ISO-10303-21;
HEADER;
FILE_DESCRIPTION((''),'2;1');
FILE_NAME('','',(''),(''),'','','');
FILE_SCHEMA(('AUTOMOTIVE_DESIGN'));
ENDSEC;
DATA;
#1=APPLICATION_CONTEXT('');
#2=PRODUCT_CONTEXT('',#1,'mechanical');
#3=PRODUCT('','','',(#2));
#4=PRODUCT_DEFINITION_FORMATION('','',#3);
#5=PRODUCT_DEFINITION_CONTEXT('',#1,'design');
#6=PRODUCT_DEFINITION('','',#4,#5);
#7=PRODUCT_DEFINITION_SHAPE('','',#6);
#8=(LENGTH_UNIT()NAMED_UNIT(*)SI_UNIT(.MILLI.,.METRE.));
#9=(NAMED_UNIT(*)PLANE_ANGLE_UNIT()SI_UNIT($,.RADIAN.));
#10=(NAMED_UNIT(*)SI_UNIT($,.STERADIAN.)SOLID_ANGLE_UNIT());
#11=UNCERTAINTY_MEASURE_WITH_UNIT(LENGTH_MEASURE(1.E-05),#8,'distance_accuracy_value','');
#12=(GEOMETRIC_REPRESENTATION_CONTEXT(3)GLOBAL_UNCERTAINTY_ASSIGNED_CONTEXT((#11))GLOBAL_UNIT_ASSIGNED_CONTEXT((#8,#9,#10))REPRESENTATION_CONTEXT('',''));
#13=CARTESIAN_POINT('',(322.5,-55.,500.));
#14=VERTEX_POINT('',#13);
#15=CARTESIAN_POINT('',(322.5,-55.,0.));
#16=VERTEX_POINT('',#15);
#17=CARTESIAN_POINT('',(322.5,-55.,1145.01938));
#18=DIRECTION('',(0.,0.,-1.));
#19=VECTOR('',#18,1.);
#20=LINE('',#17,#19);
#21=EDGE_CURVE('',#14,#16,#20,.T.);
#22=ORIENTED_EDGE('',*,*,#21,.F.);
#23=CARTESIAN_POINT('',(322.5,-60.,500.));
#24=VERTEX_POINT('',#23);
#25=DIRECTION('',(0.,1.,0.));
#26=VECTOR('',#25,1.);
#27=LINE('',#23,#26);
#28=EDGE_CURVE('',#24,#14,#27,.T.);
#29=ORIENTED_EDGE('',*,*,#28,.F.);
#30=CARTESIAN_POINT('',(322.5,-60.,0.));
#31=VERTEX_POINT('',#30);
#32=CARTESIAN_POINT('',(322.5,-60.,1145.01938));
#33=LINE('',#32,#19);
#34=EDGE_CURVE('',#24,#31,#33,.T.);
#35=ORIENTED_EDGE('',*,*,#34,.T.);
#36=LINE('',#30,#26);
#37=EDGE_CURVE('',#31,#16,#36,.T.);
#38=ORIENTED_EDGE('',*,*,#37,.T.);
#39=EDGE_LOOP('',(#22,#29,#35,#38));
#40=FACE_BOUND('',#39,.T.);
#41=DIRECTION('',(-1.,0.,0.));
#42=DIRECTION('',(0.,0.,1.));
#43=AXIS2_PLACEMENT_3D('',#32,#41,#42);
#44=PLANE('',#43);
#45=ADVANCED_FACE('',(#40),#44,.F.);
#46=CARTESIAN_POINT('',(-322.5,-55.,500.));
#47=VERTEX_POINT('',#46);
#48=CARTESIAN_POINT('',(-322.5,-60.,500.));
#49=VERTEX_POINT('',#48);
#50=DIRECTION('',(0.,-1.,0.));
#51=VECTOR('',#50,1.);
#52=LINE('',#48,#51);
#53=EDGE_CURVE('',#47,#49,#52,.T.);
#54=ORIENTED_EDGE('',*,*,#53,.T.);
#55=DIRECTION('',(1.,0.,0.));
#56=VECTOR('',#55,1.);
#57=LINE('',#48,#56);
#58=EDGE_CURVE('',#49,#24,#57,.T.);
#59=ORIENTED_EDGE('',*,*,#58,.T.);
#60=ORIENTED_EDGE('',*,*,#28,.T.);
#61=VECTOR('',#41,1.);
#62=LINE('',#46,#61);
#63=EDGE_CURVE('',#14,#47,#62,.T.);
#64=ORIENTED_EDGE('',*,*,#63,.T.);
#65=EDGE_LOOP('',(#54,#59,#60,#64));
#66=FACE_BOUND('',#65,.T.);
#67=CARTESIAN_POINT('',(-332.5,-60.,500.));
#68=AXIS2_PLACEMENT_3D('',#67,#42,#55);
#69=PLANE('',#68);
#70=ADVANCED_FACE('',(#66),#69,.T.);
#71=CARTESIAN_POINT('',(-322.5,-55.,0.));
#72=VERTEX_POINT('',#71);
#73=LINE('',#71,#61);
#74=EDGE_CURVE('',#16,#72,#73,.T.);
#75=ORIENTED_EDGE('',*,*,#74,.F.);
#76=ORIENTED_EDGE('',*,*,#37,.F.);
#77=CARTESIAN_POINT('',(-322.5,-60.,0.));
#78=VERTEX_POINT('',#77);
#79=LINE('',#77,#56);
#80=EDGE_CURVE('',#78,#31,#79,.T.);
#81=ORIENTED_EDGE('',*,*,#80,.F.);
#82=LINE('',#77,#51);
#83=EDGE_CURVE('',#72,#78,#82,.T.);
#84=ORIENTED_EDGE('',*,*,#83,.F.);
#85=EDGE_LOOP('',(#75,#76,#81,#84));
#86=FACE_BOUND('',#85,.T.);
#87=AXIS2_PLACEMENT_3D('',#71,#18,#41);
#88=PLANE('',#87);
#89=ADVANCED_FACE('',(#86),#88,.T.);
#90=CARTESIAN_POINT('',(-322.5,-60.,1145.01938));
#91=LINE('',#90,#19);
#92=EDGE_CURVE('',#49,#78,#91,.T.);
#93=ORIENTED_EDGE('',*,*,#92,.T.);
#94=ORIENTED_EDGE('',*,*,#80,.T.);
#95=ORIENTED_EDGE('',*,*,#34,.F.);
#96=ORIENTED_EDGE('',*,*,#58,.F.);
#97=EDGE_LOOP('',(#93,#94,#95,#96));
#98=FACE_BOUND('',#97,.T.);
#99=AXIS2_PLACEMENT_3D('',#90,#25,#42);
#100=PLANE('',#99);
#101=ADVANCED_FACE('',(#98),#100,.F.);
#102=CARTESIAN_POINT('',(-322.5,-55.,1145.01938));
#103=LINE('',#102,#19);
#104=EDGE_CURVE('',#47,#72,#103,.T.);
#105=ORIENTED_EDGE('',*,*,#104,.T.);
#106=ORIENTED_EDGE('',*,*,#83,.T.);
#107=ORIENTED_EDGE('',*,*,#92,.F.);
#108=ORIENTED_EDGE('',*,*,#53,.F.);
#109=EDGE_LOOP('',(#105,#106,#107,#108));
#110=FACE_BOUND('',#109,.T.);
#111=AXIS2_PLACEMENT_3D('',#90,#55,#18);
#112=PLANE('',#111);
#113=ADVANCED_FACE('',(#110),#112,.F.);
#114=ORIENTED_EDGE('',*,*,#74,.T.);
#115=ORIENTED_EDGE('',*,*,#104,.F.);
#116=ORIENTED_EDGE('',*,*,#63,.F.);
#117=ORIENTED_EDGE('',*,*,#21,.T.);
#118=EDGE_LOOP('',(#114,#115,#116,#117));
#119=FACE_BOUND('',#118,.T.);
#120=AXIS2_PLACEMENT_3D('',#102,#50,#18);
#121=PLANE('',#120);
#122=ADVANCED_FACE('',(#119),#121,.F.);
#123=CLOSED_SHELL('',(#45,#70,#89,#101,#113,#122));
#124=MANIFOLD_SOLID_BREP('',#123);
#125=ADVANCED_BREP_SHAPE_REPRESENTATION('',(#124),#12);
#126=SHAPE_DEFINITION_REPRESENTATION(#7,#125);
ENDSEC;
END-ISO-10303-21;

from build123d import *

# Parameters (mm, degrees)
SKETCH1_W          = 645
SKETCH1_H          = 5
BASE_EXTRUDE_DEPTH = 500


with BuildPart() as part:
    # Sketch1 → Base-Extrude (new body)
    with BuildSketch(Plane.XY):
        with Locations((0, -57.5)):
            Rectangle(SKETCH1_W, SKETCH1_H)
    extrude(amount=BASE_EXTRUDE_DEPTH)


solid = part.part
